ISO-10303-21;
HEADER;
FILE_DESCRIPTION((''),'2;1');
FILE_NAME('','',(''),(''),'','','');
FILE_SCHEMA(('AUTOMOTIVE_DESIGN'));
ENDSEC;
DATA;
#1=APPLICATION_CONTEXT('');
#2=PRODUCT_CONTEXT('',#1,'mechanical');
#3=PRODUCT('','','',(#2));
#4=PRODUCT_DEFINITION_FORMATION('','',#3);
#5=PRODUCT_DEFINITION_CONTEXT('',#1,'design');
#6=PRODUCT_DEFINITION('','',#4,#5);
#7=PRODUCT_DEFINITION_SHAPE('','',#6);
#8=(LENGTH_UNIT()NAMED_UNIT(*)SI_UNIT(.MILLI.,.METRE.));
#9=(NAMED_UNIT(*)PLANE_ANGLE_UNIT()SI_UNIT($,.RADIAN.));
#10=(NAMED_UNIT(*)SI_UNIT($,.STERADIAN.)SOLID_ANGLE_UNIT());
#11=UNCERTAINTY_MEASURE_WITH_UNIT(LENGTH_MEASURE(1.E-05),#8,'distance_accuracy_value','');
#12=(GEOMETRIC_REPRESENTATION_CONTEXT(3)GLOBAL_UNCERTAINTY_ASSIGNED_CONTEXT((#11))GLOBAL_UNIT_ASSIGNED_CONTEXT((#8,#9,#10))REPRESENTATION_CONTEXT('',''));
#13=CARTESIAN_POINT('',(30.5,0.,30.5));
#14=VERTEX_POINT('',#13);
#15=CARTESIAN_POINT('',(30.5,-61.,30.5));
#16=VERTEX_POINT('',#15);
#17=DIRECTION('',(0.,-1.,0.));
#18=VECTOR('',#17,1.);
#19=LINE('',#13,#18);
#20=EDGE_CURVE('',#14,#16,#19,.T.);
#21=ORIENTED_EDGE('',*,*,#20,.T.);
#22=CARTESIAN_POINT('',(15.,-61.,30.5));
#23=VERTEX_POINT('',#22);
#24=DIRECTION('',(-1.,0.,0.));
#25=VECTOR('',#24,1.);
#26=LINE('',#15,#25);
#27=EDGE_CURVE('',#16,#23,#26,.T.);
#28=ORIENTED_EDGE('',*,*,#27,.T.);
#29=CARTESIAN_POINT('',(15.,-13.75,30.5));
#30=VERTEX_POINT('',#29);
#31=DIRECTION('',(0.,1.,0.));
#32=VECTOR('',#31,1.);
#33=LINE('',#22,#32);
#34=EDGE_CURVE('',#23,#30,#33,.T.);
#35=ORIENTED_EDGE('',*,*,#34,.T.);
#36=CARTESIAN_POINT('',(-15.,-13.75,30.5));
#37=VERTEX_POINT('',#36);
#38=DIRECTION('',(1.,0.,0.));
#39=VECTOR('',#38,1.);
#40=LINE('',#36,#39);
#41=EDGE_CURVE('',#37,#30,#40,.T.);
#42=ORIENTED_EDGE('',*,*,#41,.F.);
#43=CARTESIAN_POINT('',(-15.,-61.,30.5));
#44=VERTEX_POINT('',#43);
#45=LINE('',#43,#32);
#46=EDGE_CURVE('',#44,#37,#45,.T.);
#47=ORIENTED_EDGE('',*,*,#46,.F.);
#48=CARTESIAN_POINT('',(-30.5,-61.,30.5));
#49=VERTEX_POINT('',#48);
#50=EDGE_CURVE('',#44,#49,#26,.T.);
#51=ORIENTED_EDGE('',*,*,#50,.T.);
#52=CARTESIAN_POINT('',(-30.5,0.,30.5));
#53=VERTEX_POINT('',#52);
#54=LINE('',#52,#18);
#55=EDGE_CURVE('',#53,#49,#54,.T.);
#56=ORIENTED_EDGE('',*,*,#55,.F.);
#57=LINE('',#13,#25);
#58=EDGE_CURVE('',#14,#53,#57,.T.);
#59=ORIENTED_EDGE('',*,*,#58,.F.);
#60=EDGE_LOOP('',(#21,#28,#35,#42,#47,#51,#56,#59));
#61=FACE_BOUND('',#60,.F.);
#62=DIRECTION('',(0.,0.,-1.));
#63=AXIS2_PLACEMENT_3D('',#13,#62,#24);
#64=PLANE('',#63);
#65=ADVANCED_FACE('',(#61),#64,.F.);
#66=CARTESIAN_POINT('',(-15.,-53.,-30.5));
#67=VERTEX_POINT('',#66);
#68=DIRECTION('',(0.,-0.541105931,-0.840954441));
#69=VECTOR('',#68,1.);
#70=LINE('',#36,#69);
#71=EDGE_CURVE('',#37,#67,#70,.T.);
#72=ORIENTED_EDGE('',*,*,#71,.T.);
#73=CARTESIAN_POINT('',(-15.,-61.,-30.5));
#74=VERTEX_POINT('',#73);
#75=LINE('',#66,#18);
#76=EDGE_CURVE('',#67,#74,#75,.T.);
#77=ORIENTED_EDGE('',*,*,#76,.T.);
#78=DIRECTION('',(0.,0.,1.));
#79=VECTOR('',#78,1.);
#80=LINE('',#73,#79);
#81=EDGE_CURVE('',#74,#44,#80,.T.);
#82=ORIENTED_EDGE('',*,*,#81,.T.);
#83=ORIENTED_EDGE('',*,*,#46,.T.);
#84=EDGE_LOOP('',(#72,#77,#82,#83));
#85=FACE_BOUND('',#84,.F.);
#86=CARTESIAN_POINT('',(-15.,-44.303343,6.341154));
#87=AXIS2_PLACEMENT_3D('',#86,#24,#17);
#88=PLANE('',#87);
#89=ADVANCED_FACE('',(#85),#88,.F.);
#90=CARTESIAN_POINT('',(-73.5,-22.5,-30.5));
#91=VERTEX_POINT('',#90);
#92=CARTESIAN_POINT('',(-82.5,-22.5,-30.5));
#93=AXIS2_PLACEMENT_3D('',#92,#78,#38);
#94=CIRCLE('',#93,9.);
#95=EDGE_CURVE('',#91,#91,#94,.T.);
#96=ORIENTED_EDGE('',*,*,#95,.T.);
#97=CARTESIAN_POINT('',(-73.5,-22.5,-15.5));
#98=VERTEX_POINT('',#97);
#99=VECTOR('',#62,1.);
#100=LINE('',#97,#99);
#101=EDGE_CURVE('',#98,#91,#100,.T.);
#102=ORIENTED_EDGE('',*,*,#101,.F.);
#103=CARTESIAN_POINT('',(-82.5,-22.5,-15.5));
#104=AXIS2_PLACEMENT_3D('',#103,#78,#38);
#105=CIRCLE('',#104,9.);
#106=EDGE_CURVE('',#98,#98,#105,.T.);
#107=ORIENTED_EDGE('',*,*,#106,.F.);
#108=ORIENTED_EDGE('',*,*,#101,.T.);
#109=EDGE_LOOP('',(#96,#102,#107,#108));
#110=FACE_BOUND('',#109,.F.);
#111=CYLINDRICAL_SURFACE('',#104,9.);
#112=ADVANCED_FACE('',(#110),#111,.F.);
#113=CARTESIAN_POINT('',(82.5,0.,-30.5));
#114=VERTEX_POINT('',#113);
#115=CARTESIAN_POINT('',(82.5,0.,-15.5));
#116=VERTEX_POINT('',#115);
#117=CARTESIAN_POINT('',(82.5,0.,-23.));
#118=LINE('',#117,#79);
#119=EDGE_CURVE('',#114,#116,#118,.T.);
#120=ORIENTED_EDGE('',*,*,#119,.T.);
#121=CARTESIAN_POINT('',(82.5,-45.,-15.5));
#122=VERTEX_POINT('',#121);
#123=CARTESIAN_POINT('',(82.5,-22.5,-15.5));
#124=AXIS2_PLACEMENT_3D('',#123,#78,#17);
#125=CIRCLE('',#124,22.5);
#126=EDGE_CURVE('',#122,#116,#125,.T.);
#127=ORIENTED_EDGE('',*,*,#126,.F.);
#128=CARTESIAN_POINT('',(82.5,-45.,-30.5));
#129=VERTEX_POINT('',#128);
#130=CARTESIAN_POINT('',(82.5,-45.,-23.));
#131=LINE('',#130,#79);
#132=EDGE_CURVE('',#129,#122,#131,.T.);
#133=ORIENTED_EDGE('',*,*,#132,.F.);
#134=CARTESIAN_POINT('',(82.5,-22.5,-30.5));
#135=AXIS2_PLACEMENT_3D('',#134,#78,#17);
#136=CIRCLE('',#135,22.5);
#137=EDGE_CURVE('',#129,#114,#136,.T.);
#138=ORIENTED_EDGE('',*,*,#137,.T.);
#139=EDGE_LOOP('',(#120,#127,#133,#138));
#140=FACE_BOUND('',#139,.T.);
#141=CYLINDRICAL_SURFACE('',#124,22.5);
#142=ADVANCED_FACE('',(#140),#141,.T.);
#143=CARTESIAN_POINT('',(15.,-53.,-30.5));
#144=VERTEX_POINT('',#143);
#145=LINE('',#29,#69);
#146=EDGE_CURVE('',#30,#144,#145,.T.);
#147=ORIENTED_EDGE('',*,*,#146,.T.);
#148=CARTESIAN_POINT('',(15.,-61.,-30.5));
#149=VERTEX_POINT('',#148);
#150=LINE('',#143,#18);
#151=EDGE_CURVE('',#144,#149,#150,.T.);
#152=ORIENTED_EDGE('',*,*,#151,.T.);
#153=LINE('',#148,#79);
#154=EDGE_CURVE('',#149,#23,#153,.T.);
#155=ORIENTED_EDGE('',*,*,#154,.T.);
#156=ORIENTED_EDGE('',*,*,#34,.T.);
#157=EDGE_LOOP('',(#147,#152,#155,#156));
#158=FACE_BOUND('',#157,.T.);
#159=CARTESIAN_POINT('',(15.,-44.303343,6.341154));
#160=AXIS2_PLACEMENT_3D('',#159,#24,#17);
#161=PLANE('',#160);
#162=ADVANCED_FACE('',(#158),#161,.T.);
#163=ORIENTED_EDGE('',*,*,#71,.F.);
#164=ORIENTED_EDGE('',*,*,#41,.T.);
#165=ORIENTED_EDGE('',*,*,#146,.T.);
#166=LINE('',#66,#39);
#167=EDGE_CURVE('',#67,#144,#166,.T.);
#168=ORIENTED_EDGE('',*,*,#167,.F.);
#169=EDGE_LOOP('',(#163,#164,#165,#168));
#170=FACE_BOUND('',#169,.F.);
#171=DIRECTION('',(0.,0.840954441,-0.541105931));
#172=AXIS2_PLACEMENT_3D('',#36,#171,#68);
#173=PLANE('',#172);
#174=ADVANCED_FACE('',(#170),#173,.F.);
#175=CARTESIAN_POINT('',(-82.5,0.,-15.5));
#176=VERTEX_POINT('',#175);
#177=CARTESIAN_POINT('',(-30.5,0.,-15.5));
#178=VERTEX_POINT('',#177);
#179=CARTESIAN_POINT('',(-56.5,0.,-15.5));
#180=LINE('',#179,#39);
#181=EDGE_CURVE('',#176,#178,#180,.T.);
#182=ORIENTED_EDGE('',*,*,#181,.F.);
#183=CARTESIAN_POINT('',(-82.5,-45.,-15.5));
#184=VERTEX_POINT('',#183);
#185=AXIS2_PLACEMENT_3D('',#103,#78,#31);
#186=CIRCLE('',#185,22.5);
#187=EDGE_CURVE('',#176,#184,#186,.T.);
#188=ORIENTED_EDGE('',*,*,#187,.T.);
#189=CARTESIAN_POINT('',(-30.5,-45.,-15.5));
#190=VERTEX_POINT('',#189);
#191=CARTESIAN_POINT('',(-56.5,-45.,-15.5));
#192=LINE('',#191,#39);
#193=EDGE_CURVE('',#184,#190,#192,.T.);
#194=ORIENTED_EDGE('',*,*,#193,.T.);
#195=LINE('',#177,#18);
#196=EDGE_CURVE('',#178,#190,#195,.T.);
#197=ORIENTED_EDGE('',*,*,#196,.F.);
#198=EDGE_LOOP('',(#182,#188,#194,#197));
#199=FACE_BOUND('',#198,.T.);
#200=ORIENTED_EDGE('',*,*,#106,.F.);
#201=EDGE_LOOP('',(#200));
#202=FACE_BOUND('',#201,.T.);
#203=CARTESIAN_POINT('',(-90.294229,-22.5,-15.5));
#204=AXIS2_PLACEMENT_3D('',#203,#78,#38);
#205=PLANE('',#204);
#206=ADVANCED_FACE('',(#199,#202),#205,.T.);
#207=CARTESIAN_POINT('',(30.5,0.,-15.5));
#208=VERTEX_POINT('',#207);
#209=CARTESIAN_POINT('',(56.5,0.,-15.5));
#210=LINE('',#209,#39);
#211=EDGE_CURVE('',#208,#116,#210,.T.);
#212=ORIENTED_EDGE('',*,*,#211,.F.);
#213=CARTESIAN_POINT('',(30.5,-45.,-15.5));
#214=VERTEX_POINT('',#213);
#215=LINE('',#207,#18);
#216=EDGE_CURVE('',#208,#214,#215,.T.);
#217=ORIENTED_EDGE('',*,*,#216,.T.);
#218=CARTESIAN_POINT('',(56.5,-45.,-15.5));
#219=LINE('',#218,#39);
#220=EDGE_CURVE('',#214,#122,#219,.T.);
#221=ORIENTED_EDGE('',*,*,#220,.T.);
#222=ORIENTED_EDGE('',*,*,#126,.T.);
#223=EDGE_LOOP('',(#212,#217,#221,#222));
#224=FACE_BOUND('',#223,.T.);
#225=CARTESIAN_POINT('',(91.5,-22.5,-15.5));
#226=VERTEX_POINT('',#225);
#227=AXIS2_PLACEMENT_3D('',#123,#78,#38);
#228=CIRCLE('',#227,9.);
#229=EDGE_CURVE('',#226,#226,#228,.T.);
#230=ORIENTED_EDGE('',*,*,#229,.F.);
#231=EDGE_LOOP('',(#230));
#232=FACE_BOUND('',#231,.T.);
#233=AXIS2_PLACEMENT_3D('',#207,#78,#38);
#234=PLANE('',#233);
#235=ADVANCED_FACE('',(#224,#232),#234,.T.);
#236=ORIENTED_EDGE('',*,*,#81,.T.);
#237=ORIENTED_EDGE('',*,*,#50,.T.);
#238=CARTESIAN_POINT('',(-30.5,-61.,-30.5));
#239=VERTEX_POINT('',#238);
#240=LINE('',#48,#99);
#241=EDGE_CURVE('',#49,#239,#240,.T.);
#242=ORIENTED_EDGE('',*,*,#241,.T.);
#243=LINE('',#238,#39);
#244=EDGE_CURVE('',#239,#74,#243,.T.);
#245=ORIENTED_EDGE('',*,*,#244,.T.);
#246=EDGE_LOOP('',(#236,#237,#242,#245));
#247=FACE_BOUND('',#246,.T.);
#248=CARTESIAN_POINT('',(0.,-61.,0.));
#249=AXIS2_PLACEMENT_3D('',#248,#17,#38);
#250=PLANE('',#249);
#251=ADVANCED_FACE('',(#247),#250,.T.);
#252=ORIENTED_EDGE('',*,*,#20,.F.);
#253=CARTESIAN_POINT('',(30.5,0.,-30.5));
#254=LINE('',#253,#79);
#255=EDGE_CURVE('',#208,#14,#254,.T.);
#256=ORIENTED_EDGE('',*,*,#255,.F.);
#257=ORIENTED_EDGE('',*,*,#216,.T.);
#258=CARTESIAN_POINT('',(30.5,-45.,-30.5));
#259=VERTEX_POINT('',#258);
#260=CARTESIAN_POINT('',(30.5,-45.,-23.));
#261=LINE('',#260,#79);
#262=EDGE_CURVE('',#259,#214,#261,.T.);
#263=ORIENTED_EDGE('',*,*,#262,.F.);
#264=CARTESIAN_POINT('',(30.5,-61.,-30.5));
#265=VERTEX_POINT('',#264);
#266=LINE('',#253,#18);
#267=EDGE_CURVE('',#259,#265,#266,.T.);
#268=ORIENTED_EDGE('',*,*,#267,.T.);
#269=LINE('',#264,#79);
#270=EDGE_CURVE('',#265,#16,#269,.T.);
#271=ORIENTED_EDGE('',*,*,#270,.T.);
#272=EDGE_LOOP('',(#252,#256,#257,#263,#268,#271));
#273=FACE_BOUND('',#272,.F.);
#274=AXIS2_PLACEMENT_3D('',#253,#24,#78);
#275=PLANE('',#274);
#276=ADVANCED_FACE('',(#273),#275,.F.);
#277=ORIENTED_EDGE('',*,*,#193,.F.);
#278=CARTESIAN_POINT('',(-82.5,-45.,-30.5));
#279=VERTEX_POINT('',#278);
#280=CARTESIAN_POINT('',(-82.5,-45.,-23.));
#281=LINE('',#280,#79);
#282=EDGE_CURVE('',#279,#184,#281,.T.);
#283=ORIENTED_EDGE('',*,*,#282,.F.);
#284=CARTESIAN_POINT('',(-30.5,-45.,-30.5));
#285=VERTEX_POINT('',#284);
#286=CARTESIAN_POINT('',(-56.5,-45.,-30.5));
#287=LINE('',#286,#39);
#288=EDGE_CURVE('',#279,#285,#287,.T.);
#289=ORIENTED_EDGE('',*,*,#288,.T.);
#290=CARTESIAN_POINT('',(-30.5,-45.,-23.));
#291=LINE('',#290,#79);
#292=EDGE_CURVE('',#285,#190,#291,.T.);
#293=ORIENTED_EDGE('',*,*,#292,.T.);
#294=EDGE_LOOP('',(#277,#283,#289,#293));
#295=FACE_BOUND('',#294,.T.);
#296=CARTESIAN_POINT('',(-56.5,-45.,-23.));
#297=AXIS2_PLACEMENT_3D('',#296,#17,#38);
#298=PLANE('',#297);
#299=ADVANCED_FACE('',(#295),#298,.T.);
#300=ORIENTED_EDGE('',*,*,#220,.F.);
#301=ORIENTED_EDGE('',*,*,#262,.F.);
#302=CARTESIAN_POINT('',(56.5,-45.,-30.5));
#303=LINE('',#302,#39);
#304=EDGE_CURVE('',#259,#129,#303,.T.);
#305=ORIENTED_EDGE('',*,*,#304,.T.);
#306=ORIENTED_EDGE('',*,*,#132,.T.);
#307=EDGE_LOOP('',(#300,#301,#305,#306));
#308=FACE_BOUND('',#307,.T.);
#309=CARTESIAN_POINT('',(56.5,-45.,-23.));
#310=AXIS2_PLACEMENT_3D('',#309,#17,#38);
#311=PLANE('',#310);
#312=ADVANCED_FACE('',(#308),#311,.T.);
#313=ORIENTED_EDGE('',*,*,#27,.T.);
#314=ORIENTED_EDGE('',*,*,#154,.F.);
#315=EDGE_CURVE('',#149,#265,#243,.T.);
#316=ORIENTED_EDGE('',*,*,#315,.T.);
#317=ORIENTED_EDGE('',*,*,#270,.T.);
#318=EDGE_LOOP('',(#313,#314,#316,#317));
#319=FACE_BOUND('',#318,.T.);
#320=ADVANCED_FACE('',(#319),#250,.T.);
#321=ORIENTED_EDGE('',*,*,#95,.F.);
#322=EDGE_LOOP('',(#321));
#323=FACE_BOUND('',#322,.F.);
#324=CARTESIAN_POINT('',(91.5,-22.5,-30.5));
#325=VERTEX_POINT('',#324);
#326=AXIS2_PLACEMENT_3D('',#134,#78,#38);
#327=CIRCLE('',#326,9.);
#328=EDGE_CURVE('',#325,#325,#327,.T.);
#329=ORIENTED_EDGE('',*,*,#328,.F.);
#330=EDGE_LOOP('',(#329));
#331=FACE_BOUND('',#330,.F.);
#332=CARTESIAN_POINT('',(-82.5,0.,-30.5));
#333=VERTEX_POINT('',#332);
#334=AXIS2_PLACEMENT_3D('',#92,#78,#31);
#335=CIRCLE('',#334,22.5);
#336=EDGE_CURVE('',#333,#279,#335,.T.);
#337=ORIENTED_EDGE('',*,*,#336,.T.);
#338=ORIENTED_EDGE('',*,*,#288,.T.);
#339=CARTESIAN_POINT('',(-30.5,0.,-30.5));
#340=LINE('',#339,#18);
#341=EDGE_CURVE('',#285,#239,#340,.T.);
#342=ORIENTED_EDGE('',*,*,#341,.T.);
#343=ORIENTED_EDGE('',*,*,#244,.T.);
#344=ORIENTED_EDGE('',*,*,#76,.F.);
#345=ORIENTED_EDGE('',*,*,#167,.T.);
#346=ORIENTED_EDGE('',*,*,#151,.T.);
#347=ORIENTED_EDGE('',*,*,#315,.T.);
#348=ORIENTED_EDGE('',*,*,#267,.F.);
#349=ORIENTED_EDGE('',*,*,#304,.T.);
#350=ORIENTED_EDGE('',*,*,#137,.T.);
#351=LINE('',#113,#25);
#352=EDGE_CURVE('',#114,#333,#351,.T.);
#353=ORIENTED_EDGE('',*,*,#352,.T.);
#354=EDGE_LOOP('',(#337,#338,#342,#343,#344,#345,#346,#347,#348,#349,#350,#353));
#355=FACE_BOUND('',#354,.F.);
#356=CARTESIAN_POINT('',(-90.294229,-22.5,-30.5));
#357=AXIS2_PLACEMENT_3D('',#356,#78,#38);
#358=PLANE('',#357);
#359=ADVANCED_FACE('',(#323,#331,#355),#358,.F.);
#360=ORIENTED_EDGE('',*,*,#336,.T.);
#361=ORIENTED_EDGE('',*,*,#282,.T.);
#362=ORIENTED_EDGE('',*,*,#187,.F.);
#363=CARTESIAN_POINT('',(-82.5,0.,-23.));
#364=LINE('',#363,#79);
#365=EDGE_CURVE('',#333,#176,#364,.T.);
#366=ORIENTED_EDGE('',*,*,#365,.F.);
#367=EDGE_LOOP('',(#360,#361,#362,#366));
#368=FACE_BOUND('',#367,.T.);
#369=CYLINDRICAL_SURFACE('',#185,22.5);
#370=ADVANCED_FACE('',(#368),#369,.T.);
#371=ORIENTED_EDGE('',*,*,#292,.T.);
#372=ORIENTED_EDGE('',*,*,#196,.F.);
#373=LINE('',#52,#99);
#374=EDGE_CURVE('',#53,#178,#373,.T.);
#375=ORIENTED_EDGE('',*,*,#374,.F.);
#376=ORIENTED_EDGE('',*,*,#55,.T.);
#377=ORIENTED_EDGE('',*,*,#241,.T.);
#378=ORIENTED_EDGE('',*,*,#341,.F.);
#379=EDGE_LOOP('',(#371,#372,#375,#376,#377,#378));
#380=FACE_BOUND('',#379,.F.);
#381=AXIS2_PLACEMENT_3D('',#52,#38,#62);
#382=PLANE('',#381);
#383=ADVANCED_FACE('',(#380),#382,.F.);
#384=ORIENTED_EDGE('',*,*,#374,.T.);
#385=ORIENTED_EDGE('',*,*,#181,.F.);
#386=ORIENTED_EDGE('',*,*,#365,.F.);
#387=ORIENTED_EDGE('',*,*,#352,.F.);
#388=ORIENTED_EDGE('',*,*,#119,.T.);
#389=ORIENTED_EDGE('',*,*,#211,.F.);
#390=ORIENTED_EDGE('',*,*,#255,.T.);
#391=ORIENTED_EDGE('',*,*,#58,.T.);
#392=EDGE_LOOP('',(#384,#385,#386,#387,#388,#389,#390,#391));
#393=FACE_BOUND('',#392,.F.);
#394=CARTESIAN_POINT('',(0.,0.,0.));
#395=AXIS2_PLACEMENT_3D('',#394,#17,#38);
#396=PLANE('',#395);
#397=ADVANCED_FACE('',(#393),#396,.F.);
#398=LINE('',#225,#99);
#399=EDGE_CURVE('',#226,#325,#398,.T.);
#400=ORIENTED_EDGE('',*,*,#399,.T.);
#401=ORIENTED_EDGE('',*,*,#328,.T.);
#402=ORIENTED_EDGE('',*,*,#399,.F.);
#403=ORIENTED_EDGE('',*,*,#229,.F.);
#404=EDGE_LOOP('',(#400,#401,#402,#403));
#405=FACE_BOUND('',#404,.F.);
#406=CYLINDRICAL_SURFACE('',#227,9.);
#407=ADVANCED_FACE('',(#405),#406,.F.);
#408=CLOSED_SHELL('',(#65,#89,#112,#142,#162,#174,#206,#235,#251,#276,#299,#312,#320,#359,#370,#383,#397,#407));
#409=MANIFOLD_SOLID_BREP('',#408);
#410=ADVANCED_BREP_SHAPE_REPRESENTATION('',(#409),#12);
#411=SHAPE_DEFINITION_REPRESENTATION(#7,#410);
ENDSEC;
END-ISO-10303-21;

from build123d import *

# Parameters (mm, degrees)
F0_W      = 52
F0_H      = 15
F1_DEPTH  = 45
F2_DEPTH  = 61
F4_DEPTH  = 15
F6_R      = 9
F5_R      = 9
F7_DEPTH  = 15
F10_DEPTH = 30


with BuildPart() as f1:
    # F0 (on Front) → F1 (new body)
    with BuildSketch(Plane.XZ):
        with Locations((-56.5, -23)):
            Rectangle(F0_W, F0_H)
    extrude(amount=F1_DEPTH)



with BuildPart() as f1b:
    # F0 (on Front) → F1, piece 2 (new body)
    with BuildSketch(Plane.XZ):
        with Locations((56.5, -23)):
            Rectangle(F0_W, F0_H)
    extrude(amount=F1_DEPTH)


with BuildPart() as f1_1:
    add(f1.part)

    add(f1b.part)  # F2 merges F1b
    # F0 (on Front) → F2 (join)
    with BuildSketch(Plane.XZ):
        Polygon((30.5, 30.5), (-30.5, 30.5), (-30.5, -15.5), (-30.5, -30.5), (30.5, -30.5), (30.5, -15.5), align=None)
    extrude(amount=F2_DEPTH)

    # F3 (on face) → F4 (join)
    with BuildSketch(Plane.XY.offset(-15.5)):
        with BuildLine():
            Line((-82.5, -45), (-82.5, 0))
            ThreePointArc((-82.5, 0), (-105, -22.5), (-82.5, -45))
        make_face()
        with BuildLine():
            Line((82.5, 0), (82.5, -45))
            ThreePointArc((82.5, -45), (105, -22.5), (82.5, 0))
        make_face()
    extrude(amount=-F4_DEPTH)

    # F6 (on face) + F5 (on face) → F7 (cut)
    with BuildSketch(Plane.XY.offset(-15.5)):
        with Locations((82.5, -22.5)):
            Circle(F6_R)
    with BuildSketch(Plane.XY.offset(-15.5)):
        with Locations((-82.5, -22.5)):
            Circle(F5_R)
    extrude(amount=-F7_DEPTH, mode=Mode.SUBTRACT)

    # F9 (on offset) → F10 (cut)
    with BuildSketch(Plane(origin=(-15, 0, 0), x_dir=(0, -1, 0), z_dir=(-1, 0, 0))):
        Polygon((61, 30.5), (13.75, 30.5), (53, -30.5), (61, -30.5), align=None)
    extrude(amount=-F10_DEPTH, mode=Mode.SUBTRACT)


solid = f1_1.part
